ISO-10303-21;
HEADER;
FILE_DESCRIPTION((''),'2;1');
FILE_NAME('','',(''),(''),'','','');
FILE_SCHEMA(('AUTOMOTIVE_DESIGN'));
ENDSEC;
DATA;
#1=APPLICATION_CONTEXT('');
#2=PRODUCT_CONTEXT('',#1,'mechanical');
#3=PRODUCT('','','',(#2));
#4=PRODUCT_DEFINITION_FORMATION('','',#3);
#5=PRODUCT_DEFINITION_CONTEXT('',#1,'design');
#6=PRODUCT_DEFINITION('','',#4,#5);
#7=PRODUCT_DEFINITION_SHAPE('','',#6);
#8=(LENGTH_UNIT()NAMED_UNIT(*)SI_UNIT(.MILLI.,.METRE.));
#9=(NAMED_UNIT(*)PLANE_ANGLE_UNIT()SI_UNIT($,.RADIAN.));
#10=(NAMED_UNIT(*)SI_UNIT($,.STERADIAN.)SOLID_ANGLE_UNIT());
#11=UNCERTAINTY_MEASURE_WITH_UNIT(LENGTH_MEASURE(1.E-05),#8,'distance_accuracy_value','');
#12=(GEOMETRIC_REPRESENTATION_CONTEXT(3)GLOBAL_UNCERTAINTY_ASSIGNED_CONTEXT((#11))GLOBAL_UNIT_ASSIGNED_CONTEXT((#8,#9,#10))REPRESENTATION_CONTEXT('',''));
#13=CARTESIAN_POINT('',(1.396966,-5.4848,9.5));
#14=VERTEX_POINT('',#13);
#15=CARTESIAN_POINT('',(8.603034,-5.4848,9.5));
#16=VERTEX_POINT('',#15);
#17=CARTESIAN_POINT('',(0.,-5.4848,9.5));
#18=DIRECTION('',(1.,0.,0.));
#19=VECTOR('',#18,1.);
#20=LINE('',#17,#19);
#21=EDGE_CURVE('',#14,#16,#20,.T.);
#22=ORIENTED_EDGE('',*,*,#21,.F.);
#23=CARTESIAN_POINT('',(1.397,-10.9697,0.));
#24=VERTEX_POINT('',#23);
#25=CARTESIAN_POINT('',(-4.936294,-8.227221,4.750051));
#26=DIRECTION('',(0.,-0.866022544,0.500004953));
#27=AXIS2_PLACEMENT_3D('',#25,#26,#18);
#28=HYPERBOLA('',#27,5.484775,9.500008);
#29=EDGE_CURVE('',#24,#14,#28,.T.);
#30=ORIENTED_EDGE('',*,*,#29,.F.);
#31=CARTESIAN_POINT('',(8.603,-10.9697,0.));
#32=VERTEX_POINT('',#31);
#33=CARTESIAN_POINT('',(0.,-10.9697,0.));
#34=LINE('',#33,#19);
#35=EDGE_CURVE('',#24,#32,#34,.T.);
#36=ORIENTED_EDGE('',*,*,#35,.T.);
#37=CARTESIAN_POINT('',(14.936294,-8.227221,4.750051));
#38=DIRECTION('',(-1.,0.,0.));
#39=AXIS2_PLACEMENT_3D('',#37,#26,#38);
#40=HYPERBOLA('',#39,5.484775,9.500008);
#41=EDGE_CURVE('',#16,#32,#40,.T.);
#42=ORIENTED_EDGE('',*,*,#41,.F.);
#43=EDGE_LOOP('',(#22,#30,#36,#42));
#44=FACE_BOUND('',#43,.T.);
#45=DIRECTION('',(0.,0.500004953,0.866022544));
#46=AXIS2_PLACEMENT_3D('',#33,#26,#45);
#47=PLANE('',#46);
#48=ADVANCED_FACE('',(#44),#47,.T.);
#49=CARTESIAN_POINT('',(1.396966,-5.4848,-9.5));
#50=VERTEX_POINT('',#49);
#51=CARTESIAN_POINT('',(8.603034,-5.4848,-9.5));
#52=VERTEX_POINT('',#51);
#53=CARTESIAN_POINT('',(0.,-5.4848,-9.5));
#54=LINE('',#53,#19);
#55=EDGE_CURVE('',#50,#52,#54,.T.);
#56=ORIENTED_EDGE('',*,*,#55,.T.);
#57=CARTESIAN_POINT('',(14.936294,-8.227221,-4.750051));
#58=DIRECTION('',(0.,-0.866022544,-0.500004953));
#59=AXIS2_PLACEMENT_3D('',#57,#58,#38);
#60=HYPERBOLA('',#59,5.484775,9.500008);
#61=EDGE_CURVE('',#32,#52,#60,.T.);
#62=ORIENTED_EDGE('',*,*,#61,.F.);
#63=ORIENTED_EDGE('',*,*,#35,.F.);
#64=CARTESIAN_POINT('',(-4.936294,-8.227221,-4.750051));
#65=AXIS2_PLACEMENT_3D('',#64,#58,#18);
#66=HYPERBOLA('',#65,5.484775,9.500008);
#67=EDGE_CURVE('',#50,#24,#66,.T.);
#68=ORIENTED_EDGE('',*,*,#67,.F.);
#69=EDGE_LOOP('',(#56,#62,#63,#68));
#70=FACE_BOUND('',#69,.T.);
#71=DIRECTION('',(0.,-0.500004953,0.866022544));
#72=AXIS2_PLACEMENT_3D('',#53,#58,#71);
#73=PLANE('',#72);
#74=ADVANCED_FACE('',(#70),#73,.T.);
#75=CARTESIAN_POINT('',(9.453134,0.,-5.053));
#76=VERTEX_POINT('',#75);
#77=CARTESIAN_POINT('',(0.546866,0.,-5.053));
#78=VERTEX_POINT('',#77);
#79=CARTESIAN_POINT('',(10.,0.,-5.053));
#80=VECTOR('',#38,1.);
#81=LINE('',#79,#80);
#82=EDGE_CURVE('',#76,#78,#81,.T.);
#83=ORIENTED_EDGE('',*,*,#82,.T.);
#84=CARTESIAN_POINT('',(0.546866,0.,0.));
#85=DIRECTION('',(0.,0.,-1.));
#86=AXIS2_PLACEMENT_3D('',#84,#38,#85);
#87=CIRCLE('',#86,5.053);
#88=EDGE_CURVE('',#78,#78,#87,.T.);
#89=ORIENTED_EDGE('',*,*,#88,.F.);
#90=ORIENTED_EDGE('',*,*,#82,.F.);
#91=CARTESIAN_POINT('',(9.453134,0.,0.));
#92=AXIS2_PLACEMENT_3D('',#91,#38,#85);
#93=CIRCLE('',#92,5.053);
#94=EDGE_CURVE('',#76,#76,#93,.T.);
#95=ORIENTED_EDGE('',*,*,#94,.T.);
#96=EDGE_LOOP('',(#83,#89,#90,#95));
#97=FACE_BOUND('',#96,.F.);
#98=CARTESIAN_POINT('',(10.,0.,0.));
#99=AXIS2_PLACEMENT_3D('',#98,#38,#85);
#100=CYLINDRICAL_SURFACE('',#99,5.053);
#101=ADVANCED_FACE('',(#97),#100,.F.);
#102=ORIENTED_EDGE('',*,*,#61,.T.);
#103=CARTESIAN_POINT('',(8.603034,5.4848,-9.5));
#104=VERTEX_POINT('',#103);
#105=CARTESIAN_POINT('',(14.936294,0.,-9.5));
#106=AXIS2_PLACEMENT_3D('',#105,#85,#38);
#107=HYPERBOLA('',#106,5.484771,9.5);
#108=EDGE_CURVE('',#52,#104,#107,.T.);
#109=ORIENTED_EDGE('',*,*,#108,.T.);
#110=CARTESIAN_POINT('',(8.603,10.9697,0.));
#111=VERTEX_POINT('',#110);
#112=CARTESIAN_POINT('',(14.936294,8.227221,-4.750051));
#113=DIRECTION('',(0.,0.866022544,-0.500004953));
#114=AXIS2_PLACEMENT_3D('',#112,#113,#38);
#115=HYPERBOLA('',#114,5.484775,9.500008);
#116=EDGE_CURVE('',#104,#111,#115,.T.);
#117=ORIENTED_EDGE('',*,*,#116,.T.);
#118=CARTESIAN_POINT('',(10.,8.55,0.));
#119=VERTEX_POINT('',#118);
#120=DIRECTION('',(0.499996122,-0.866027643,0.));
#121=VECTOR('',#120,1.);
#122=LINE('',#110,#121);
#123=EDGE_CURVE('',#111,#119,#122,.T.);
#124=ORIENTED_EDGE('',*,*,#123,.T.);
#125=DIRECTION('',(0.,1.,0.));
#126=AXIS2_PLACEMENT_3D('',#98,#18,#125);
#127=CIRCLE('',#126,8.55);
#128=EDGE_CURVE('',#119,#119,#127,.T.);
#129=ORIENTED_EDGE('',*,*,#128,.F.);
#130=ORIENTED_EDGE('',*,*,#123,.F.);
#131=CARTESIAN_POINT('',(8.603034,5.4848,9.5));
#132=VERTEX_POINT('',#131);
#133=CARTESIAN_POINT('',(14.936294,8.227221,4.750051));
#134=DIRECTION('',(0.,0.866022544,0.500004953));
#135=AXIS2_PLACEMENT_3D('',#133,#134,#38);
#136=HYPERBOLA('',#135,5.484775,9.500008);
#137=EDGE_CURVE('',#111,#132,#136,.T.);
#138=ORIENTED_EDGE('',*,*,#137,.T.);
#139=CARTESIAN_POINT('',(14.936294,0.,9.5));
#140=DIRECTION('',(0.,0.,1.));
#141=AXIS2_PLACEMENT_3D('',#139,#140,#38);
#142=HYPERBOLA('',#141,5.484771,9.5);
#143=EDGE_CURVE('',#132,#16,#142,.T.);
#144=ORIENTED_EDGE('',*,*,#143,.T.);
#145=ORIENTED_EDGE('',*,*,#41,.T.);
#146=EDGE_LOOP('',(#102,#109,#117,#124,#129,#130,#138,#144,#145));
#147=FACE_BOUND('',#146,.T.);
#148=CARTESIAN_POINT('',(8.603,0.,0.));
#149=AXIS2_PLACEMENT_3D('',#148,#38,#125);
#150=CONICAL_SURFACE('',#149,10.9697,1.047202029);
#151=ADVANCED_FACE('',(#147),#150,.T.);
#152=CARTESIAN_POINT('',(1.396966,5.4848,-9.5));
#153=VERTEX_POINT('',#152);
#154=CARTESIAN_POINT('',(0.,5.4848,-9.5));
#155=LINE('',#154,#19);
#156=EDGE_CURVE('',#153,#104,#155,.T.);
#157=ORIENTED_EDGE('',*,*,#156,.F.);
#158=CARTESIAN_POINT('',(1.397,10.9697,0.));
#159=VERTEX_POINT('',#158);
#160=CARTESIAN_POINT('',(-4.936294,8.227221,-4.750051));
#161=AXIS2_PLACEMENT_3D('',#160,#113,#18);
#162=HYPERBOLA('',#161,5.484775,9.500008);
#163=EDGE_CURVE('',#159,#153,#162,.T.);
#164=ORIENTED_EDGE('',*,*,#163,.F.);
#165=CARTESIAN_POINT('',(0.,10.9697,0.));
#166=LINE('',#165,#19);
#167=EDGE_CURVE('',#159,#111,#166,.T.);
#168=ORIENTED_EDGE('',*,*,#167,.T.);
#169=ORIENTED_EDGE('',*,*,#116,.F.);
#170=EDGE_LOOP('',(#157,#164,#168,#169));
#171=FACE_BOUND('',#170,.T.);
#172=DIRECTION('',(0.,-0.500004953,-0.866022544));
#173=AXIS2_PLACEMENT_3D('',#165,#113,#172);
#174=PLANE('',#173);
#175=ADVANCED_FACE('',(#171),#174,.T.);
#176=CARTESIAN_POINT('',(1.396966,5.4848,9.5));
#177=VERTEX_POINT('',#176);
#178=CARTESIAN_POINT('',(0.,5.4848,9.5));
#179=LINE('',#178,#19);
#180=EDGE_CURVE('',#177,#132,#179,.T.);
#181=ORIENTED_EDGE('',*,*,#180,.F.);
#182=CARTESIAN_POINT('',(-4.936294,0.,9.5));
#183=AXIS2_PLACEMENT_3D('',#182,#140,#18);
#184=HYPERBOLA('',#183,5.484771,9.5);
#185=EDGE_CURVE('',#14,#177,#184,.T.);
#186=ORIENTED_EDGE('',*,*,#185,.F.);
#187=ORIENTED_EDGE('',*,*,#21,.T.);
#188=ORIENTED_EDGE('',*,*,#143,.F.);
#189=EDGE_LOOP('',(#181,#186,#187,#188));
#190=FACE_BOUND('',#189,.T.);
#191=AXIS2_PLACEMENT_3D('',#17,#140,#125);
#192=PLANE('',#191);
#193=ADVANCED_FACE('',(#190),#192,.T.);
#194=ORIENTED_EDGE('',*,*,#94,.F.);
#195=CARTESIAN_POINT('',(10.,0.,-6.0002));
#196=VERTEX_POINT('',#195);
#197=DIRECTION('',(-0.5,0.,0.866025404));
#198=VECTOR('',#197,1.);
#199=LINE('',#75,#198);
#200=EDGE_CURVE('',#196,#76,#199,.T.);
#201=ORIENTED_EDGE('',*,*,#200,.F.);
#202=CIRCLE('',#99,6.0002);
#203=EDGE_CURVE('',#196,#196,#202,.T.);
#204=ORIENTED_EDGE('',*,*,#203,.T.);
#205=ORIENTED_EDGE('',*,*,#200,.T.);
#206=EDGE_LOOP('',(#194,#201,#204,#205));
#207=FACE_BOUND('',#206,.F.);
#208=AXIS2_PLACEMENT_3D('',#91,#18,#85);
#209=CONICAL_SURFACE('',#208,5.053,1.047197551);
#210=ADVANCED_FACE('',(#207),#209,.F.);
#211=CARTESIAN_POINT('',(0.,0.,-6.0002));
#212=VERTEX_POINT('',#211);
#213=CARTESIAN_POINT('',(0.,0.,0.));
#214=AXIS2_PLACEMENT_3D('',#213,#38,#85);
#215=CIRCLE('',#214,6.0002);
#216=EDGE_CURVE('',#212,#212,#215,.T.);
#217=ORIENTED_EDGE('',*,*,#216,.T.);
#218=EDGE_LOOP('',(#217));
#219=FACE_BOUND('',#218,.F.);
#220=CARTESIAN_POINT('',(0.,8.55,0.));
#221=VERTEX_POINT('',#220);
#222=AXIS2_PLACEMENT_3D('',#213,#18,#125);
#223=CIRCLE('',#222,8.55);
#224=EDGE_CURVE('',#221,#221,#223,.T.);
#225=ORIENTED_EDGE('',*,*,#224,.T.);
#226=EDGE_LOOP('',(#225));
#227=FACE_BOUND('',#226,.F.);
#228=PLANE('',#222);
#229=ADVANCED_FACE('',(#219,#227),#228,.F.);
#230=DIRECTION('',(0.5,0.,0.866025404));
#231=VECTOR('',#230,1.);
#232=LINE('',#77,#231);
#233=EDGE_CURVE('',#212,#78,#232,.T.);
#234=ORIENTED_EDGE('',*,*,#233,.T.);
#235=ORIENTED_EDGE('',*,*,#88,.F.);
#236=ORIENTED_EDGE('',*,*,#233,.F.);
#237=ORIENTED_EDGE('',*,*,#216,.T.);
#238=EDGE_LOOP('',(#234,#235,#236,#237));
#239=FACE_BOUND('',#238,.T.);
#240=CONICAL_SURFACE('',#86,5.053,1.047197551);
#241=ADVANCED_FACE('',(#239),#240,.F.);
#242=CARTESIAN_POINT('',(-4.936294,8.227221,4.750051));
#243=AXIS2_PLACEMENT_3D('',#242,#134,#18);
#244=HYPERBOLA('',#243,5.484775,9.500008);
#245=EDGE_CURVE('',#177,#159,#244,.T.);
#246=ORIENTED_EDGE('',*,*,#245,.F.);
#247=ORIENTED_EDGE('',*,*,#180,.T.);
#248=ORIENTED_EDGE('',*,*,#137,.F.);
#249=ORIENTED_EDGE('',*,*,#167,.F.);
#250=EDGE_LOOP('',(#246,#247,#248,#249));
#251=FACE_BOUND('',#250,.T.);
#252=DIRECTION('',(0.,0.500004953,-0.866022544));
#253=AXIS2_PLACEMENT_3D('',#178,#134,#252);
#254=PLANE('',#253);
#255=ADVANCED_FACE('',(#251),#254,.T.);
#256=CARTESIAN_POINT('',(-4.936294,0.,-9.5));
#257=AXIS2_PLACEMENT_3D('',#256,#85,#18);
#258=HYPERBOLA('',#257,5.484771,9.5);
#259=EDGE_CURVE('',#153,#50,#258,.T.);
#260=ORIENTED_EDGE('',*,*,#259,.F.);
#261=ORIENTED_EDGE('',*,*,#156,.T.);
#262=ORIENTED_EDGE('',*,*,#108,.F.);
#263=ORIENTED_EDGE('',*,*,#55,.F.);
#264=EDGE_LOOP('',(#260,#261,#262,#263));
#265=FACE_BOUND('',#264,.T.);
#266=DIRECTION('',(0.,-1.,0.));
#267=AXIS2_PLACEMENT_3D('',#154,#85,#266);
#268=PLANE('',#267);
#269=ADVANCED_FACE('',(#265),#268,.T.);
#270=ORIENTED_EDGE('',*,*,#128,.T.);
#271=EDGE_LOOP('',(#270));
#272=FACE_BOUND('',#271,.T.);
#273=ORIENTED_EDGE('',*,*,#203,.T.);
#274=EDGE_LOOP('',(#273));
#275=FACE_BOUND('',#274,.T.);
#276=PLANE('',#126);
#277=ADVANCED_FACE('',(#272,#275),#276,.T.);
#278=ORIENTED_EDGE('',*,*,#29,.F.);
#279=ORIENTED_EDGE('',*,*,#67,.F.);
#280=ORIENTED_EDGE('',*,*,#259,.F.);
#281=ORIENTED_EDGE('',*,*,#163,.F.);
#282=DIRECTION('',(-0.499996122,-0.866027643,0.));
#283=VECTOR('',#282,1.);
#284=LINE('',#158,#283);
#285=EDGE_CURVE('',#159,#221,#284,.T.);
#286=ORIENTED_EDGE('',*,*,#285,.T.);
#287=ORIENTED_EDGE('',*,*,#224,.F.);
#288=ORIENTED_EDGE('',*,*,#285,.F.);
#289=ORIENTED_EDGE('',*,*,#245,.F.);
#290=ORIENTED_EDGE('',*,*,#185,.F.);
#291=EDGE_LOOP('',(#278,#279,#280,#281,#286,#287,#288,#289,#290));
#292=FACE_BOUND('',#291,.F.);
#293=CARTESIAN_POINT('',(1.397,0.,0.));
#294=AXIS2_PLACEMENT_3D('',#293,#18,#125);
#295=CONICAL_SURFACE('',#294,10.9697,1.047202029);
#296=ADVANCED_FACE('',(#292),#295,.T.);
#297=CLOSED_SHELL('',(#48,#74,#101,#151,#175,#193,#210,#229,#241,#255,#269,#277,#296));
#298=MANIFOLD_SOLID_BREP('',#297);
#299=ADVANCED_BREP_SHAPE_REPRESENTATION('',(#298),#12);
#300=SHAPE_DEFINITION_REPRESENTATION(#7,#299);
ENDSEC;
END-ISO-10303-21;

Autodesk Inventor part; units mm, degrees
ref_plane "YZ Plane" through (0, 0, 0) normal (1, 0, 0) x (0, 1, 0)
ref_plane "XZ Plane" through (0, 0, 0) normal (0, 1, 0) x (-1, 0, 0)
sketch "Sketch1" plane through (0, 0, 0) normal (1, 0, 0) x (0, 1, 0)
  line L0 (-10.9697, 0) -> (-5.4848, 9.5)
  line L1 (-5.4848, 9.5) -> (5.4848, 9.5)
  line L2 (5.4848, 9.5) -> (10.9697, 0)
  line L3 (10.9697, 0) -> (5.4848, -9.5)
  line L4 (5.4848, -9.5) -> (-5.4848, -9.5)
  line L5 (-5.4848, -9.5) -> (-10.9697, 0)
  point P0 (0, 0)
  point P1 (0, 0)
  dimension "d0" = 21.9393
extrude "Body" add sketch "Sketch1" along normal blind 10
sketch "Sketch2" plane through (0, 0, 0) normal (0, 0, 1) x (1, 0, 0)
  line L0 (0, 5.4848) -> (0, 10.9697) projected
  line L1 (0, 10.9697) -> (10, 10.9697) projected
  line L2 (10, 5.4848) -> (10, 10.9697) projected
  line L3 (-2, 0) -> (12, 0) projected
  line L4 (1.397, 10.9697) -> (0, 8.55)
  line L5 (8.603, 10.9697) -> (10, 8.55)
  dimension "d3" = 30
  dimension "d4" = 30
  dimension "d5" = 17.1
  dimension "d6" = 17.1
revolve "Chamfer1" cut sketch "Sketch2" angle 360 about axis through (-10, 0, 0) along (1, 0, 0)
sketch "Sketch3" plane through (10, 0, 0) normal (1, 0, 0) x (0, 0, -1)
  arc A0 (-0.625, -1.0825) -> (0.625, -1.0825) centre (0, 0) ccw projected
hole "Thread" at (10, 0, 0) direction (-1, 0, 0) diameter 10.106 end through all thread size "M12x1.75" class "6H" standard "ISO Metric profile"
chamfer "Chamfer2" distance 0.9472 angle 30 1 edges at (10, 0, 5.053) measured on face at (10, 7.2892, -0.8851)
chamfer "Chamfer3" distance 0.9472 angle 30 1 edges at (0, 0, 5.053) measured on face at (0, 7.2892, -0.8851)
ref_plane "Work Plane1" through (-20.8209, 0, 0) normal (0, -0.866, -0.5) x (1, 0, 0)
equation "\"d0\" = 1.1547 * SW"
equation "\"d1\" = KOH"
equation "\"d8\" = -0.5 * GD1 + 0.5 * NND"
equation "\"d40\" = -0.5 * GD1 + 0.5 * NND"
equation "\"d10\" = -0.5 * GD1 + 0.5 * NND"
equation "\"d41\" = -0.5 * GD1 + 0.5 * NND"
equation "\"d3\" = ANG1"
equation "\"d4\" = ANG2"
equation "\"d5\" = SW0"
equation "\"d6\" = SW01"
equation "\"ANG1\" = 30deg"
equation "\"ANG2\" = 30deg"
equation "\"NND\" = 12"
equation "\"KOH\" = 10"
equation "\"SW\" = 19"
equation "\"SW0\" = 17.1"
equation "\"SW01\" = SW0"
equation "\"GUL\" = 0.541266 * PTC"
equation "\"LADI\" = 18.05"
equation "\"TOA\" = 30deg"
equation "\"FAWI\" = 30deg"
equation "\"PTC\" = 1.75"
equation "\"THREADDIA\" = 12"
equation "\"E0\" = 1.155 * SW"
equation "\"GAL\" = 0.541266 * PTC"
equation "\"GD1\" = 10.105569"
properties part number "Nut M12-6H GOST 5915-70" material "Steel"
